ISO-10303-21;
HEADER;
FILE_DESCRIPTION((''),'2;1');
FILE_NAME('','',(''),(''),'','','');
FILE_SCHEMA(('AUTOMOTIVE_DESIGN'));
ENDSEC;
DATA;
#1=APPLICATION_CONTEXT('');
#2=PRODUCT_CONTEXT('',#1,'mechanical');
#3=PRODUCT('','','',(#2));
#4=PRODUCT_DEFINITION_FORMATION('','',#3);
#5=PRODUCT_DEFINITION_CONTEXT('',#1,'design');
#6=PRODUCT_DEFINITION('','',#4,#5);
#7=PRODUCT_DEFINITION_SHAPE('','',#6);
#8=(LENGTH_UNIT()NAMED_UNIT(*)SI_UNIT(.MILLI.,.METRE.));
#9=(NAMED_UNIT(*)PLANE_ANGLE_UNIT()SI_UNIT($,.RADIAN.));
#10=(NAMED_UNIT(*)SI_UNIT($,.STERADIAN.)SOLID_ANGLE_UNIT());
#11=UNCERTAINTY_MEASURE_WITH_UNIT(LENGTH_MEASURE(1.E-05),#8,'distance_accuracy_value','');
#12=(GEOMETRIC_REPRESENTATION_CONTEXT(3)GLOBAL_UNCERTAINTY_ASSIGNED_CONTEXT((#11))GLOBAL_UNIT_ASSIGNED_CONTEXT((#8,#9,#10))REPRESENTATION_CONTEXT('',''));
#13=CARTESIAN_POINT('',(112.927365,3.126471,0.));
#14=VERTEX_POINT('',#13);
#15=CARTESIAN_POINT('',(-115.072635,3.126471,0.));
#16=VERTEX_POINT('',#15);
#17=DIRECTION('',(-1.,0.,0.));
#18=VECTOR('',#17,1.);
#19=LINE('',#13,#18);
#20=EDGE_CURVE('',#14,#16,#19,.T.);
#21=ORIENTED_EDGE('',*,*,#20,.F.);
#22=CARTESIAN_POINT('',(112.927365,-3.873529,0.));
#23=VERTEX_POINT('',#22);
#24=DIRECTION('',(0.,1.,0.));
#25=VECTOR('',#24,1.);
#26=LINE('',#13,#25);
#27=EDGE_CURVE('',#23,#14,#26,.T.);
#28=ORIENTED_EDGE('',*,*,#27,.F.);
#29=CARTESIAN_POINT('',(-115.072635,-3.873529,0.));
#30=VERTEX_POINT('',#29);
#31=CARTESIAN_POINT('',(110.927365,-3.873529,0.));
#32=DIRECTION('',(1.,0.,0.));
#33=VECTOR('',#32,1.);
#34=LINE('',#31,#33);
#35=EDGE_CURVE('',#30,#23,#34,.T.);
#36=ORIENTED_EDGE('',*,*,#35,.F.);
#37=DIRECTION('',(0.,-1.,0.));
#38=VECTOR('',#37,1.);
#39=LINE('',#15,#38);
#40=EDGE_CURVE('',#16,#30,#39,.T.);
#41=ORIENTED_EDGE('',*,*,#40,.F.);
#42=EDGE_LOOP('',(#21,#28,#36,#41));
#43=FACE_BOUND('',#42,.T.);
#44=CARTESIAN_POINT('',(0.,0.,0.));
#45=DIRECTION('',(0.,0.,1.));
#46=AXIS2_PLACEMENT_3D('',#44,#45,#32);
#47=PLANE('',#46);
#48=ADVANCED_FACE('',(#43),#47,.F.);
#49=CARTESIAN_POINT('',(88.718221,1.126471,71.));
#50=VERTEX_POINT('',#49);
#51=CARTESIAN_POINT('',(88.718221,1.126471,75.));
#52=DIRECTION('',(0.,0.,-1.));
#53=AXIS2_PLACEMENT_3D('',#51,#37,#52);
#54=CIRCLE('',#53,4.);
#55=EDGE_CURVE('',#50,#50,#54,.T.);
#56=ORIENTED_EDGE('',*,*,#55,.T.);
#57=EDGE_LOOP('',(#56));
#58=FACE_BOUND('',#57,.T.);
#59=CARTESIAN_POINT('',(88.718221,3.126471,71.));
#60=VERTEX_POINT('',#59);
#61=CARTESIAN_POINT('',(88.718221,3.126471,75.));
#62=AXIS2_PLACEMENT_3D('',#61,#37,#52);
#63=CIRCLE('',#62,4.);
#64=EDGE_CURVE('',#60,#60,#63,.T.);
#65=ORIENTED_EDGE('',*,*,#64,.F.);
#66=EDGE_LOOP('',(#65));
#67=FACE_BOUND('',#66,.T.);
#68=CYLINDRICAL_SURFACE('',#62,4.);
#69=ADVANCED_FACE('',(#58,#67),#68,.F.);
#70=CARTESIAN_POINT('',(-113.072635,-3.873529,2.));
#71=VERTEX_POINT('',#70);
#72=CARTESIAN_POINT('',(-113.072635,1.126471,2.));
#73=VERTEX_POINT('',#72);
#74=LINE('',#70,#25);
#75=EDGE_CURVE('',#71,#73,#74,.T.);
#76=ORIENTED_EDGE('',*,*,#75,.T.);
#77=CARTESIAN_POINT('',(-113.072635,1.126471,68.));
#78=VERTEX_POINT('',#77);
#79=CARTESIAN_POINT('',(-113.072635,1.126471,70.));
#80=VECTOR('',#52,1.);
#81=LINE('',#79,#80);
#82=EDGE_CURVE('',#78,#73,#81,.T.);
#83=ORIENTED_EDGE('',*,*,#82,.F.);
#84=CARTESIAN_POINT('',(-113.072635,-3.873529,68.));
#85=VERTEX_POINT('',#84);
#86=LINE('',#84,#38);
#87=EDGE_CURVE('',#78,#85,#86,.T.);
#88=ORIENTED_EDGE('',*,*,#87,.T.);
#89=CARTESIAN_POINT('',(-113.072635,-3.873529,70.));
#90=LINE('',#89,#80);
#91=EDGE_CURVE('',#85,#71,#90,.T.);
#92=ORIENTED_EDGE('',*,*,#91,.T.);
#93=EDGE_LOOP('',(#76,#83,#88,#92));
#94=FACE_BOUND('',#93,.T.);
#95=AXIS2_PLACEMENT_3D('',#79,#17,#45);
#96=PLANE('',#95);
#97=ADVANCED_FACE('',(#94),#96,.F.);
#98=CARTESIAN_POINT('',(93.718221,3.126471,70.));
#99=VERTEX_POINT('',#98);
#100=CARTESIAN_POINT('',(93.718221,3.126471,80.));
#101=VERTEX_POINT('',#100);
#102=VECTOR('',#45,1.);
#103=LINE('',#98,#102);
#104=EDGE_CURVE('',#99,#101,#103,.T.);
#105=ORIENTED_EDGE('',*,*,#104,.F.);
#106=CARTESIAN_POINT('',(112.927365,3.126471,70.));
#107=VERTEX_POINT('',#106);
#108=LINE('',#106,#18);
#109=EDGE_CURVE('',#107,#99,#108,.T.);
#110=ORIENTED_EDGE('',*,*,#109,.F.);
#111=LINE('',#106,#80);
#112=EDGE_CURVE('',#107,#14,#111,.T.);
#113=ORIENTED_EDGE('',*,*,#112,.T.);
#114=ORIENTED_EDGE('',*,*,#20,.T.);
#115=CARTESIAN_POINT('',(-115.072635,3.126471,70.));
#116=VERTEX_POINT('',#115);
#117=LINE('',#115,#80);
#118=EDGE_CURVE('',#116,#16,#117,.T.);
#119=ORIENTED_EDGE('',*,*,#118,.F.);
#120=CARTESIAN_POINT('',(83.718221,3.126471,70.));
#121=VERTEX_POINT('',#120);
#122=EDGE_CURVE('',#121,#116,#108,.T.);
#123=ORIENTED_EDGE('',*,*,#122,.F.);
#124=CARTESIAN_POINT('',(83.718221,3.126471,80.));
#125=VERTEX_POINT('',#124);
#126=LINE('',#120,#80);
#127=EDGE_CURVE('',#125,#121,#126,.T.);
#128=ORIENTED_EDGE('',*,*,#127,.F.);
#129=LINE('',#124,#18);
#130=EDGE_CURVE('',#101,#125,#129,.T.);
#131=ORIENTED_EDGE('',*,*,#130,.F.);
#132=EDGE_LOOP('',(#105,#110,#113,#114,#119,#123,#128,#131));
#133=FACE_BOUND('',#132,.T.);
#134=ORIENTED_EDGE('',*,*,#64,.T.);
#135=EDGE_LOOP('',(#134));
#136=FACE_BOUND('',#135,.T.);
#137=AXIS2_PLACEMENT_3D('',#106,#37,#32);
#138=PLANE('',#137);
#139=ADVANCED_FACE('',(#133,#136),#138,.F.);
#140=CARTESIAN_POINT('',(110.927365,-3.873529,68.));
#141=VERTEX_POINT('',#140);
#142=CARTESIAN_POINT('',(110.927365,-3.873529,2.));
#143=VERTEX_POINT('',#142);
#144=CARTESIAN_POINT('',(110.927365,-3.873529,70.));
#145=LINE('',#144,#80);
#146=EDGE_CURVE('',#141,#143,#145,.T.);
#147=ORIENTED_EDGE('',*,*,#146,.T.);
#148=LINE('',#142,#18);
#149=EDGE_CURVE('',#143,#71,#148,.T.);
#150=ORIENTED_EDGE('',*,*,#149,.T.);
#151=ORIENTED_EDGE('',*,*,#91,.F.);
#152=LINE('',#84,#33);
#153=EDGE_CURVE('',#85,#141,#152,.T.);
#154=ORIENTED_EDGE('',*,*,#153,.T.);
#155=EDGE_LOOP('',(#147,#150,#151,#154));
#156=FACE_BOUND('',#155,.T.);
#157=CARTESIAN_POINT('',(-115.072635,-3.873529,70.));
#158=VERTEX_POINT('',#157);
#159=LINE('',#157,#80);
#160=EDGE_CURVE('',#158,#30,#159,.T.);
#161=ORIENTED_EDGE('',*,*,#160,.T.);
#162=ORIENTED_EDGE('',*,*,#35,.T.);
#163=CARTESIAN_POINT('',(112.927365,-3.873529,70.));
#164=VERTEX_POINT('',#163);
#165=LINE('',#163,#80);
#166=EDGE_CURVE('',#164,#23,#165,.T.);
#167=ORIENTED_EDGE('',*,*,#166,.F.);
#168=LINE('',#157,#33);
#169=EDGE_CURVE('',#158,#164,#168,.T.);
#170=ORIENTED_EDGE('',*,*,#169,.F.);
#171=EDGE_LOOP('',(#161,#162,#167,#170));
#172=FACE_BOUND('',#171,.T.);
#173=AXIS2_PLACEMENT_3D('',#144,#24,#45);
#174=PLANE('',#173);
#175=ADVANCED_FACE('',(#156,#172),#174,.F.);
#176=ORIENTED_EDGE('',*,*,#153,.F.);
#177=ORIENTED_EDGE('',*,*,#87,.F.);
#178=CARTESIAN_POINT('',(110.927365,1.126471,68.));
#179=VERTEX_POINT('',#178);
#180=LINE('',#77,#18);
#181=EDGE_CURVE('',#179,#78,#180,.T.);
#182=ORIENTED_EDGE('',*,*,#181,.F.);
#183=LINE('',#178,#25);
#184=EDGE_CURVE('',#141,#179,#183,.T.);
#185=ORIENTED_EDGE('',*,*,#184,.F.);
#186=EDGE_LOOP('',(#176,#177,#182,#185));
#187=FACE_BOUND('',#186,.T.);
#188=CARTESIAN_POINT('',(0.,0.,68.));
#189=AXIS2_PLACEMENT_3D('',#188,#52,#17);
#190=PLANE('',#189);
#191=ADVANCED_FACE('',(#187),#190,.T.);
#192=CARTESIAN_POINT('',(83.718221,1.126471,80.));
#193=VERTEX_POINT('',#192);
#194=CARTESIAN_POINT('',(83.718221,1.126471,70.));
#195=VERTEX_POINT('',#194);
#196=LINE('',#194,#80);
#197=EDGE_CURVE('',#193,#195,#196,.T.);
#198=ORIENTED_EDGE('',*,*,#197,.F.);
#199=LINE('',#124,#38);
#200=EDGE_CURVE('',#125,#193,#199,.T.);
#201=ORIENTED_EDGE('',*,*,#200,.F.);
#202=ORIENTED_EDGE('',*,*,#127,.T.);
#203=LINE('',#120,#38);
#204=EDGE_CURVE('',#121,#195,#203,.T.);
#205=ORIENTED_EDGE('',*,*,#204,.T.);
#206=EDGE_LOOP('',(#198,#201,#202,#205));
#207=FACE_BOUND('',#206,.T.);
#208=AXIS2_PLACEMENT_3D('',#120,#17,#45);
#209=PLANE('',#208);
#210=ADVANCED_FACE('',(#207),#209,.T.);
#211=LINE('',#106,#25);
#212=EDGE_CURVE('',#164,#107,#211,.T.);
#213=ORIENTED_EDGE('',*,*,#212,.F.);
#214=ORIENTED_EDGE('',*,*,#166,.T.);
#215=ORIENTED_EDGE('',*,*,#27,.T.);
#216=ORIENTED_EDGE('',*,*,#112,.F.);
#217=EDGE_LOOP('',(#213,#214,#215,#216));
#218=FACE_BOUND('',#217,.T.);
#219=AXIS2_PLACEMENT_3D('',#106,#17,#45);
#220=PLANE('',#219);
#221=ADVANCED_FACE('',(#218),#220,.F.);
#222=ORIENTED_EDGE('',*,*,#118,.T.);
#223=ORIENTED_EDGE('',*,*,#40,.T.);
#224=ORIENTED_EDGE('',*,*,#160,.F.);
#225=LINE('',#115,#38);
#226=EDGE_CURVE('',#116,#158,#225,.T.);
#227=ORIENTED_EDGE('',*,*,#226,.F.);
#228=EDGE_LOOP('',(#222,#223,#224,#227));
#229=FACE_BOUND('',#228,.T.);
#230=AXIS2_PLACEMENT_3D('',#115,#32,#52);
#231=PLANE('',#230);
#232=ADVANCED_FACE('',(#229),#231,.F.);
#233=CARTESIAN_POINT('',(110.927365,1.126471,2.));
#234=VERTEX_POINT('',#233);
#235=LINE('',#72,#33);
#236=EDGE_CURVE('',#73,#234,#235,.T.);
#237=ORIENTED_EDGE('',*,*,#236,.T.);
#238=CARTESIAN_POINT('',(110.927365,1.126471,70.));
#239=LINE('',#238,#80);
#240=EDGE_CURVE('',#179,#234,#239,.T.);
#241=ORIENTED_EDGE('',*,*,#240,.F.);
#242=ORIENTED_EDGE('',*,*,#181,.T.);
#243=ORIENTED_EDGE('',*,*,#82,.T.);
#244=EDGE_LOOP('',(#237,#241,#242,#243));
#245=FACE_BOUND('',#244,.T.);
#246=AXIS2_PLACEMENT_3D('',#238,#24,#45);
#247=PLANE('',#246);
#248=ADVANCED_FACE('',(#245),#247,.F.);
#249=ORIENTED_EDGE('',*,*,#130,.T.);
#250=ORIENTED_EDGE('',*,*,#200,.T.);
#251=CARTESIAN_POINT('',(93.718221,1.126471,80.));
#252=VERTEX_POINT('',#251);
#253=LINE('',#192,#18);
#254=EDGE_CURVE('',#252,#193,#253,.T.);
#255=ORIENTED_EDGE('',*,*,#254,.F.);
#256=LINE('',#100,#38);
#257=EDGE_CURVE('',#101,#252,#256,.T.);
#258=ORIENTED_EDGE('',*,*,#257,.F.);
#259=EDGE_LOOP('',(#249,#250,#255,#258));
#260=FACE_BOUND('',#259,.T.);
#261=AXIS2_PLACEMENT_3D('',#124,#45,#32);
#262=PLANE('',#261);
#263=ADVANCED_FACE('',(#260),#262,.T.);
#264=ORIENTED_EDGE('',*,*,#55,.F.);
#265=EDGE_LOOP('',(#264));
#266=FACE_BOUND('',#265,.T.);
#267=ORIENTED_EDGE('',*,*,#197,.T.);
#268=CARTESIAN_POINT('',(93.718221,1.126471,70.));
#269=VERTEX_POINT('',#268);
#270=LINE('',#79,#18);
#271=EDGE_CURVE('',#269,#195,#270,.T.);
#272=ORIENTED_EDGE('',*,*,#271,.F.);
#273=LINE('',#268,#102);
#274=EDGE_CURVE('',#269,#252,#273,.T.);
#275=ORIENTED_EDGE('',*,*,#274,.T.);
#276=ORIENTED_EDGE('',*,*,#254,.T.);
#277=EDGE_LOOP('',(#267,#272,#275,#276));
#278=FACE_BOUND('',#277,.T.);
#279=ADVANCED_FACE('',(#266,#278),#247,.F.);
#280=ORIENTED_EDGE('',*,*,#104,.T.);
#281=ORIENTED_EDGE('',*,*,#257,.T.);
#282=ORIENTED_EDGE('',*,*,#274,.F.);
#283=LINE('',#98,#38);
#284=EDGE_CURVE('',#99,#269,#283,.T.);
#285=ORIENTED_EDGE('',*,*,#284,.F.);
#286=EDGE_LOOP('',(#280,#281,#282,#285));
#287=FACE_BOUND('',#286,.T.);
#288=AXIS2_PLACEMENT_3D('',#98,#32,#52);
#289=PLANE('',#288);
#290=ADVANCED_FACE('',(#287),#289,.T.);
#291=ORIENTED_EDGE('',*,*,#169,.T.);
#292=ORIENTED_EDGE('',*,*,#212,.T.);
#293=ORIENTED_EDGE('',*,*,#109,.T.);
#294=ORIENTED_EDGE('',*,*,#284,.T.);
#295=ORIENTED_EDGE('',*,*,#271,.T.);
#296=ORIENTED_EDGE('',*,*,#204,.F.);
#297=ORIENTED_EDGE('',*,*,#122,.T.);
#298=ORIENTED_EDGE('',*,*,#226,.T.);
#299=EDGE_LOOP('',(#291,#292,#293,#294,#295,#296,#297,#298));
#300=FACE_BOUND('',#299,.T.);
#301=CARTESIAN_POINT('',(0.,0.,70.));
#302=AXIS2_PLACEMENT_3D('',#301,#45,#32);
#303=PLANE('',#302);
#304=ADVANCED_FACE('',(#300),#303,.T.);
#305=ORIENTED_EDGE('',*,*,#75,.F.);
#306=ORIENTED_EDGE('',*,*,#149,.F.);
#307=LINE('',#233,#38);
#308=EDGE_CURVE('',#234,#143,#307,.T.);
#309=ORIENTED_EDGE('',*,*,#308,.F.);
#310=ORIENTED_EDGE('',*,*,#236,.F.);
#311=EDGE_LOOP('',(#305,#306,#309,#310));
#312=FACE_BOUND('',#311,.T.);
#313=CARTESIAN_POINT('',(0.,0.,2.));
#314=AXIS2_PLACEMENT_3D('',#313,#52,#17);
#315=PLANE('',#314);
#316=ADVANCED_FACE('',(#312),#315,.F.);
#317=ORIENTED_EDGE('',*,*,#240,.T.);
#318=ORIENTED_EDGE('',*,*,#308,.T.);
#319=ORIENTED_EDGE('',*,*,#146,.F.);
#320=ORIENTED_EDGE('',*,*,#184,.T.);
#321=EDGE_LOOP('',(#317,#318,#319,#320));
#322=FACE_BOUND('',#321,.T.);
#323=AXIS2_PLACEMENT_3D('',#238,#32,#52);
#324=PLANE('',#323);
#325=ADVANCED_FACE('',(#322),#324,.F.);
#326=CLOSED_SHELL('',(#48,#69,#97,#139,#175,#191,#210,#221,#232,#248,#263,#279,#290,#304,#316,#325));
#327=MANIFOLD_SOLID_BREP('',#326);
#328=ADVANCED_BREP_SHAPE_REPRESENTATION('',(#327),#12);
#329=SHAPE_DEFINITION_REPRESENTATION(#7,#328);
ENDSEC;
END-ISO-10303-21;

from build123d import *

# Parameters (mm, degrees)
BOSS_EXTRU_1_DEPTH = 70
ESQUISSE3_W        = 224
ESQUISSE3_H        = 5
BOSS_EXTRU_2_DEPTH = 2
ESQUISSE5_W        = 10
ESQUISSE5_H        = 10
ESQUISSE5_R        = 4
BOSS_EXTRU_3_DEPTH = 2
ESQUISSE6_W        = 224
ESQUISSE6_H        = 5
BOSS_EXTRU_4_DEPTH = 2


with BuildPart() as part:
    # Esquisse1 → Boss.-Extru.1 (new body)
    with BuildSketch(Plane.XY):
        Polygon((-115.072635135, 3.126470588), (-115.072635135, -3.873529412), (-113.072635135, -3.873529412), (-113.072635135, 1.126470588), (110.927364865, 1.126470588), (110.927364865, -3.873529412), (112.927364865, -3.873529412), (112.927364865, 3.126470588), align=None)
    extrude(amount=BOSS_EXTRU_1_DEPTH)

    # Esquisse3 → Boss.-Extru.2 (add)
    with BuildSketch(Plane(origin=(0, 0, 0), x_dir=(-1, 0, 0), z_dir=(0, 0, -1))):
        with Locations((1.072635135, -1.373529412)):
            Rectangle(ESQUISSE3_W, ESQUISSE3_H)
    extrude(amount=-BOSS_EXTRU_2_DEPTH)

    # Esquisse5 → Boss.-Extru.3 (add, through all)
    with BuildSketch(Plane.XZ.offset(-1.126470588)):
        with Locations((88.718220762, 75)):
            Rectangle(ESQUISSE5_W, ESQUISSE5_H)
        with Locations(Location((88.718220762, 75, 0), (0, 0, 270))):
            Circle(ESQUISSE5_R, mode=Mode.SUBTRACT)
    extrude(amount=-BOSS_EXTRU_3_DEPTH)

    # Esquisse6 → Boss.-Extru.4 (add)
    with BuildSketch(Plane.XY.offset(70)):
        with Locations((-1.072635135, -1.373529412)):
            Rectangle(ESQUISSE6_W, ESQUISSE6_H)
    extrude(amount=-BOSS_EXTRU_4_DEPTH)


solid = part.part
